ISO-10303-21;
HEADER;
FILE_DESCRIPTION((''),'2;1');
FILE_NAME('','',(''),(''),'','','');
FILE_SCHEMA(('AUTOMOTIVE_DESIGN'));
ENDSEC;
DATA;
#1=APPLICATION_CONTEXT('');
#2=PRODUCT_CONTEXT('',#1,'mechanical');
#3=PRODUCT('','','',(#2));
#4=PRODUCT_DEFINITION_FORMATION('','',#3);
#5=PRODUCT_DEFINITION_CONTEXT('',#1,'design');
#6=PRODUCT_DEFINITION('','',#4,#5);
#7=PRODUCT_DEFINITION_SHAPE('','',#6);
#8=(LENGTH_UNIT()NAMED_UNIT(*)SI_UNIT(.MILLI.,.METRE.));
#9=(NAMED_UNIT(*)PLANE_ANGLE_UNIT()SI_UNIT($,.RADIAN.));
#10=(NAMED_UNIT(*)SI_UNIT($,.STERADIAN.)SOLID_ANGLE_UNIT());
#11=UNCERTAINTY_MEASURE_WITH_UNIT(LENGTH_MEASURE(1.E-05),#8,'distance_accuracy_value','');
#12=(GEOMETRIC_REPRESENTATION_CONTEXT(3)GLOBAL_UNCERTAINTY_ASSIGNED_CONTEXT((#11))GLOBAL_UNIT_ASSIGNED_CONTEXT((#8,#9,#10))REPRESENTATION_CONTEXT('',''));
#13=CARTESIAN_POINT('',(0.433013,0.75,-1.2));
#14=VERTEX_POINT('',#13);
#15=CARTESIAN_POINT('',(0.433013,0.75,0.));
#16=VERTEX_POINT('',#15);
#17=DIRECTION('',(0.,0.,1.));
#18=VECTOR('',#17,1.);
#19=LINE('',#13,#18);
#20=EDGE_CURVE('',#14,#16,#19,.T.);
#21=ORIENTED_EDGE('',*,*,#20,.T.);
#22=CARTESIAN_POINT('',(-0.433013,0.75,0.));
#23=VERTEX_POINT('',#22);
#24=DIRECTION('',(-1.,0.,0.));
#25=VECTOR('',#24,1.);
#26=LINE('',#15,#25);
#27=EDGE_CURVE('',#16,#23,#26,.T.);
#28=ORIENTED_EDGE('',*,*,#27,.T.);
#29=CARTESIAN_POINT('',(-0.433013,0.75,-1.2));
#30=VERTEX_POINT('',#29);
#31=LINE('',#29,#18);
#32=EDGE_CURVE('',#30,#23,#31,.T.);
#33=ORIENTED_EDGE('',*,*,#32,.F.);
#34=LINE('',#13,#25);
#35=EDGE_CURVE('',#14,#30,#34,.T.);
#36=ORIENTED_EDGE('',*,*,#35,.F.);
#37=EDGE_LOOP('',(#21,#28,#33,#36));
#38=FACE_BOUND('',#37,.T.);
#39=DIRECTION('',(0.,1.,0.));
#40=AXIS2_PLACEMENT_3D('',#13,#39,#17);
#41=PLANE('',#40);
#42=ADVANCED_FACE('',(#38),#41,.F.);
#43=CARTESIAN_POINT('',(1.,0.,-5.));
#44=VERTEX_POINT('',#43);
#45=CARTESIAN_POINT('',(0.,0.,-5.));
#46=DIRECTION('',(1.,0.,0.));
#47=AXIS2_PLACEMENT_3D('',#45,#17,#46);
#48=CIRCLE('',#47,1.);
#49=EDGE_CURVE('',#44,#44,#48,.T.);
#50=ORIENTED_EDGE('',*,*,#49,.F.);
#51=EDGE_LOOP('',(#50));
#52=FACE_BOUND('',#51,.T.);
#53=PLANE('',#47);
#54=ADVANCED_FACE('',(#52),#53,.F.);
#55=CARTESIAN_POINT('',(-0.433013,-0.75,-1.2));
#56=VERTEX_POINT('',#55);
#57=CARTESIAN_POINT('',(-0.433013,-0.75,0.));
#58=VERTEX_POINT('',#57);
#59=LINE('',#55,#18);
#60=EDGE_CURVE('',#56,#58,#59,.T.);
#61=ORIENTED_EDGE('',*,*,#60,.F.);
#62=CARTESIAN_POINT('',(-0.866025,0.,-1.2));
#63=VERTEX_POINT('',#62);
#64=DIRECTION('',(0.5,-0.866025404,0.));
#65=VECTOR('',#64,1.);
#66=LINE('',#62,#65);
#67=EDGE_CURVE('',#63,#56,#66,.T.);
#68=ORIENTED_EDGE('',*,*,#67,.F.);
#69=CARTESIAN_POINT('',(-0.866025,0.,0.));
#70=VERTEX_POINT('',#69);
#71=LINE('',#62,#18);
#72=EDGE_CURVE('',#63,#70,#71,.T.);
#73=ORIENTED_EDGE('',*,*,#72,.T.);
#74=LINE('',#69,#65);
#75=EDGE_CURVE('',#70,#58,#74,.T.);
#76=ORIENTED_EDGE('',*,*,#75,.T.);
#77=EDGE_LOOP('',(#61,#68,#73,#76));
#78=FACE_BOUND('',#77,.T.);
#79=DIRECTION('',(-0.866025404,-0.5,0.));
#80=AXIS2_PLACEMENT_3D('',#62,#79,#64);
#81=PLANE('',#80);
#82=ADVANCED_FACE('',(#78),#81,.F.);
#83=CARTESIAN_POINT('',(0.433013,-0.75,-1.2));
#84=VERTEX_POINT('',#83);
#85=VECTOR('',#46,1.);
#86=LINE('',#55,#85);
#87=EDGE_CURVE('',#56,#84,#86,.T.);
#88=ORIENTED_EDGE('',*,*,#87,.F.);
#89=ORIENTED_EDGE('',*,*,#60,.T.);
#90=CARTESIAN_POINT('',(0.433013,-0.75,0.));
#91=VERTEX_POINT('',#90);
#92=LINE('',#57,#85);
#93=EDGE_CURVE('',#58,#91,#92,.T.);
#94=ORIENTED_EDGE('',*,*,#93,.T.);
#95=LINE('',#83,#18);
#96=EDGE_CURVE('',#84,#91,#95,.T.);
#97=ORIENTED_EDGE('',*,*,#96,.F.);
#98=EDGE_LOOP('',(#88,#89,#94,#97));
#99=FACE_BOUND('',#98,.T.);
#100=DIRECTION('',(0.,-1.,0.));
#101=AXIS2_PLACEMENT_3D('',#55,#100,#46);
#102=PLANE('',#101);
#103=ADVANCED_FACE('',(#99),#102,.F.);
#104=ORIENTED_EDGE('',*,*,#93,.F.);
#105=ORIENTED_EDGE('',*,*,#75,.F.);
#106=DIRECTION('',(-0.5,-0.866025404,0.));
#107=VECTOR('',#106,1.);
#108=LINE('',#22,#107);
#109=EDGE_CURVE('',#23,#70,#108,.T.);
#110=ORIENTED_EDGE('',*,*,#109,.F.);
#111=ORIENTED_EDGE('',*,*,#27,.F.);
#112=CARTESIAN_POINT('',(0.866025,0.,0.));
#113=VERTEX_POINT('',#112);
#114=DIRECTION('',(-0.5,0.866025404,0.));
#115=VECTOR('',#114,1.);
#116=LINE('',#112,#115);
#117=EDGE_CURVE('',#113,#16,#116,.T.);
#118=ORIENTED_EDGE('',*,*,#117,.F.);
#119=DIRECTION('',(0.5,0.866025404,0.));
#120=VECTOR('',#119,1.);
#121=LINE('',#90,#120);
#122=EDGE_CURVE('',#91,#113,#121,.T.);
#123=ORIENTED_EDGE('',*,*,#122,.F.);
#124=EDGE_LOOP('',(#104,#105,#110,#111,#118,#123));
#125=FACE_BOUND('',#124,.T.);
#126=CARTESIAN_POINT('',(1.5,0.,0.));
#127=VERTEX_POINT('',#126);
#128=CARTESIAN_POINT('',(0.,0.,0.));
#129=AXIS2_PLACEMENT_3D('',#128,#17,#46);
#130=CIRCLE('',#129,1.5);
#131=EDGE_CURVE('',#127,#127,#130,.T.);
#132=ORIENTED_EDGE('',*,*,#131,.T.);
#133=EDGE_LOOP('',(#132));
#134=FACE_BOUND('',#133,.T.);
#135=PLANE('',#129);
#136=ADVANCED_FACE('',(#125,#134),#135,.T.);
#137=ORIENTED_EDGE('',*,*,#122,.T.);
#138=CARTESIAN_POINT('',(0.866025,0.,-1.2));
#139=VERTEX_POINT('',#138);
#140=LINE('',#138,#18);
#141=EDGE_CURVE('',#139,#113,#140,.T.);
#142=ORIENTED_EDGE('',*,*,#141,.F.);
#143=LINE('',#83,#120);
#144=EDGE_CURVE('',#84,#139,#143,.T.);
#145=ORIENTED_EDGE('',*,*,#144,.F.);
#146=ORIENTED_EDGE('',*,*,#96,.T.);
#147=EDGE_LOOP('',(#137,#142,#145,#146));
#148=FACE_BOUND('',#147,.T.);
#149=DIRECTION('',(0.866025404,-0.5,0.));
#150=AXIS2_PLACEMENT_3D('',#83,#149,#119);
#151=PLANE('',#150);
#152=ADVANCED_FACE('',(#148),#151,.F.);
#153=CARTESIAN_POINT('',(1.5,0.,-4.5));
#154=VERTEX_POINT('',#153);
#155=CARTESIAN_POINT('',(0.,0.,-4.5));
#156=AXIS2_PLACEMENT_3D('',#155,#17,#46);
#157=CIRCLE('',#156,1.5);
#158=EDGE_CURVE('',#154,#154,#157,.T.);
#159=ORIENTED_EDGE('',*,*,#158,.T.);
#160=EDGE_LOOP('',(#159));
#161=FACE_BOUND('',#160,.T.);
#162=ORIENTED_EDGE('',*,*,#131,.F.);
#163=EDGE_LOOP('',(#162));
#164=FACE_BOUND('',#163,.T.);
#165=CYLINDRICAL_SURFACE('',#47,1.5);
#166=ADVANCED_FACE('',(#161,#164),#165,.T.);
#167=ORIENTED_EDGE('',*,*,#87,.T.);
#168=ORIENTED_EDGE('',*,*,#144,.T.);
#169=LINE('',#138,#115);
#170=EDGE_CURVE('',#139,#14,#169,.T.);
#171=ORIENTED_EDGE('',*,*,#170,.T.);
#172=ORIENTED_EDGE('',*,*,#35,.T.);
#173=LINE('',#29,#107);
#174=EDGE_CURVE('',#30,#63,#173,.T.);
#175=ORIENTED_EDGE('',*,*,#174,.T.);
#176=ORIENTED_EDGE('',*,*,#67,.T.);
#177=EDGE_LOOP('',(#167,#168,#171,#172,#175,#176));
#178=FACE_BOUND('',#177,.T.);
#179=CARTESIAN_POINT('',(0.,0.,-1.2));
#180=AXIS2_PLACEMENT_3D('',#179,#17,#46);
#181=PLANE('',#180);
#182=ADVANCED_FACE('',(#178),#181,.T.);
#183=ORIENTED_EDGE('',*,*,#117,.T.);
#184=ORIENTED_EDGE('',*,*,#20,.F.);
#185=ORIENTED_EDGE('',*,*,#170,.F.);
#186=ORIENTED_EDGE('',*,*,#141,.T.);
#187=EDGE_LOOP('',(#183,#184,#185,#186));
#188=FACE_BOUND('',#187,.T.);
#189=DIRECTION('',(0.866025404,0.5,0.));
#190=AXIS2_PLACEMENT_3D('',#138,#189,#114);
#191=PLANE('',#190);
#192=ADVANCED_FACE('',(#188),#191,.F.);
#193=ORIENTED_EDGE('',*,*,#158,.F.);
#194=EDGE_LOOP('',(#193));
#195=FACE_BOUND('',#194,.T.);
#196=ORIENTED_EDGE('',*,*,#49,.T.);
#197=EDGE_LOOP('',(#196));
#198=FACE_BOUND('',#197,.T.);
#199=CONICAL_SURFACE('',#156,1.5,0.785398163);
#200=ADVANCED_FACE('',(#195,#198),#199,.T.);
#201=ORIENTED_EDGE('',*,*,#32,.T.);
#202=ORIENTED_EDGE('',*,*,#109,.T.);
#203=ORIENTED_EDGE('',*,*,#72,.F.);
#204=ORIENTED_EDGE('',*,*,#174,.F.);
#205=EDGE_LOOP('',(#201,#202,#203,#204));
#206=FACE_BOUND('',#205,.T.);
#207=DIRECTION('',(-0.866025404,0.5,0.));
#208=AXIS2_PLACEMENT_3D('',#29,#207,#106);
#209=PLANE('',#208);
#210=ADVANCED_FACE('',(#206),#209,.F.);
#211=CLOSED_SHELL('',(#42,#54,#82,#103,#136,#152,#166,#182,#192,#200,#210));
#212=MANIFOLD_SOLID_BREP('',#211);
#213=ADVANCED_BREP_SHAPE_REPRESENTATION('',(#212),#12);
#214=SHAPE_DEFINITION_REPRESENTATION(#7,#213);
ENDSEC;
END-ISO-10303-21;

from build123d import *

# Parameters (mm, degrees)
SKETCH1_R           = 1.5
BOSS_EXTRUDE1_DEPTH = 5
CUT_EXTRUDE1_DEPTH  = 1.2


with BuildPart() as part:
    # Sketch1 → Boss-Extrude1 (new body)
    with BuildSketch(Plane.XY):
        Circle(SKETCH1_R)
    extrude(amount=-BOSS_EXTRUDE1_DEPTH)

    # Sketch2 → Cut-Extrude1 (cut)
    with BuildSketch(Plane.XY):
        Polygon((0.866025404, 0), (0.433012702, 0.75), (-0.433012702, 0.75), (-0.866025404, 0), (-0.433012702, -0.75), (0.433012702, -0.75), align=None)
    extrude(amount=-CUT_EXTRUDE1_DEPTH, mode=Mode.SUBTRACT)

    # Sketch3 → Chamfer 2 (revolve, cut)
    with BuildSketch(Plane(origin=(0, 0, 0), x_dir=(0, 0, -1), z_dir=(1, 0, 0)), mode=Mode.PRIVATE) as chamfer_2_sk:
        Polygon((5, 1.5), (5, 1), (4.5, 1.5), align=None)
    revolve(chamfer_2_sk.sketch.rotate(Axis((0, 0, 0), (0, 0, -1)), 90), axis=Axis((0, 0, 0), (0, 0, -1)), mode=Mode.SUBTRACT)


solid = part.part
